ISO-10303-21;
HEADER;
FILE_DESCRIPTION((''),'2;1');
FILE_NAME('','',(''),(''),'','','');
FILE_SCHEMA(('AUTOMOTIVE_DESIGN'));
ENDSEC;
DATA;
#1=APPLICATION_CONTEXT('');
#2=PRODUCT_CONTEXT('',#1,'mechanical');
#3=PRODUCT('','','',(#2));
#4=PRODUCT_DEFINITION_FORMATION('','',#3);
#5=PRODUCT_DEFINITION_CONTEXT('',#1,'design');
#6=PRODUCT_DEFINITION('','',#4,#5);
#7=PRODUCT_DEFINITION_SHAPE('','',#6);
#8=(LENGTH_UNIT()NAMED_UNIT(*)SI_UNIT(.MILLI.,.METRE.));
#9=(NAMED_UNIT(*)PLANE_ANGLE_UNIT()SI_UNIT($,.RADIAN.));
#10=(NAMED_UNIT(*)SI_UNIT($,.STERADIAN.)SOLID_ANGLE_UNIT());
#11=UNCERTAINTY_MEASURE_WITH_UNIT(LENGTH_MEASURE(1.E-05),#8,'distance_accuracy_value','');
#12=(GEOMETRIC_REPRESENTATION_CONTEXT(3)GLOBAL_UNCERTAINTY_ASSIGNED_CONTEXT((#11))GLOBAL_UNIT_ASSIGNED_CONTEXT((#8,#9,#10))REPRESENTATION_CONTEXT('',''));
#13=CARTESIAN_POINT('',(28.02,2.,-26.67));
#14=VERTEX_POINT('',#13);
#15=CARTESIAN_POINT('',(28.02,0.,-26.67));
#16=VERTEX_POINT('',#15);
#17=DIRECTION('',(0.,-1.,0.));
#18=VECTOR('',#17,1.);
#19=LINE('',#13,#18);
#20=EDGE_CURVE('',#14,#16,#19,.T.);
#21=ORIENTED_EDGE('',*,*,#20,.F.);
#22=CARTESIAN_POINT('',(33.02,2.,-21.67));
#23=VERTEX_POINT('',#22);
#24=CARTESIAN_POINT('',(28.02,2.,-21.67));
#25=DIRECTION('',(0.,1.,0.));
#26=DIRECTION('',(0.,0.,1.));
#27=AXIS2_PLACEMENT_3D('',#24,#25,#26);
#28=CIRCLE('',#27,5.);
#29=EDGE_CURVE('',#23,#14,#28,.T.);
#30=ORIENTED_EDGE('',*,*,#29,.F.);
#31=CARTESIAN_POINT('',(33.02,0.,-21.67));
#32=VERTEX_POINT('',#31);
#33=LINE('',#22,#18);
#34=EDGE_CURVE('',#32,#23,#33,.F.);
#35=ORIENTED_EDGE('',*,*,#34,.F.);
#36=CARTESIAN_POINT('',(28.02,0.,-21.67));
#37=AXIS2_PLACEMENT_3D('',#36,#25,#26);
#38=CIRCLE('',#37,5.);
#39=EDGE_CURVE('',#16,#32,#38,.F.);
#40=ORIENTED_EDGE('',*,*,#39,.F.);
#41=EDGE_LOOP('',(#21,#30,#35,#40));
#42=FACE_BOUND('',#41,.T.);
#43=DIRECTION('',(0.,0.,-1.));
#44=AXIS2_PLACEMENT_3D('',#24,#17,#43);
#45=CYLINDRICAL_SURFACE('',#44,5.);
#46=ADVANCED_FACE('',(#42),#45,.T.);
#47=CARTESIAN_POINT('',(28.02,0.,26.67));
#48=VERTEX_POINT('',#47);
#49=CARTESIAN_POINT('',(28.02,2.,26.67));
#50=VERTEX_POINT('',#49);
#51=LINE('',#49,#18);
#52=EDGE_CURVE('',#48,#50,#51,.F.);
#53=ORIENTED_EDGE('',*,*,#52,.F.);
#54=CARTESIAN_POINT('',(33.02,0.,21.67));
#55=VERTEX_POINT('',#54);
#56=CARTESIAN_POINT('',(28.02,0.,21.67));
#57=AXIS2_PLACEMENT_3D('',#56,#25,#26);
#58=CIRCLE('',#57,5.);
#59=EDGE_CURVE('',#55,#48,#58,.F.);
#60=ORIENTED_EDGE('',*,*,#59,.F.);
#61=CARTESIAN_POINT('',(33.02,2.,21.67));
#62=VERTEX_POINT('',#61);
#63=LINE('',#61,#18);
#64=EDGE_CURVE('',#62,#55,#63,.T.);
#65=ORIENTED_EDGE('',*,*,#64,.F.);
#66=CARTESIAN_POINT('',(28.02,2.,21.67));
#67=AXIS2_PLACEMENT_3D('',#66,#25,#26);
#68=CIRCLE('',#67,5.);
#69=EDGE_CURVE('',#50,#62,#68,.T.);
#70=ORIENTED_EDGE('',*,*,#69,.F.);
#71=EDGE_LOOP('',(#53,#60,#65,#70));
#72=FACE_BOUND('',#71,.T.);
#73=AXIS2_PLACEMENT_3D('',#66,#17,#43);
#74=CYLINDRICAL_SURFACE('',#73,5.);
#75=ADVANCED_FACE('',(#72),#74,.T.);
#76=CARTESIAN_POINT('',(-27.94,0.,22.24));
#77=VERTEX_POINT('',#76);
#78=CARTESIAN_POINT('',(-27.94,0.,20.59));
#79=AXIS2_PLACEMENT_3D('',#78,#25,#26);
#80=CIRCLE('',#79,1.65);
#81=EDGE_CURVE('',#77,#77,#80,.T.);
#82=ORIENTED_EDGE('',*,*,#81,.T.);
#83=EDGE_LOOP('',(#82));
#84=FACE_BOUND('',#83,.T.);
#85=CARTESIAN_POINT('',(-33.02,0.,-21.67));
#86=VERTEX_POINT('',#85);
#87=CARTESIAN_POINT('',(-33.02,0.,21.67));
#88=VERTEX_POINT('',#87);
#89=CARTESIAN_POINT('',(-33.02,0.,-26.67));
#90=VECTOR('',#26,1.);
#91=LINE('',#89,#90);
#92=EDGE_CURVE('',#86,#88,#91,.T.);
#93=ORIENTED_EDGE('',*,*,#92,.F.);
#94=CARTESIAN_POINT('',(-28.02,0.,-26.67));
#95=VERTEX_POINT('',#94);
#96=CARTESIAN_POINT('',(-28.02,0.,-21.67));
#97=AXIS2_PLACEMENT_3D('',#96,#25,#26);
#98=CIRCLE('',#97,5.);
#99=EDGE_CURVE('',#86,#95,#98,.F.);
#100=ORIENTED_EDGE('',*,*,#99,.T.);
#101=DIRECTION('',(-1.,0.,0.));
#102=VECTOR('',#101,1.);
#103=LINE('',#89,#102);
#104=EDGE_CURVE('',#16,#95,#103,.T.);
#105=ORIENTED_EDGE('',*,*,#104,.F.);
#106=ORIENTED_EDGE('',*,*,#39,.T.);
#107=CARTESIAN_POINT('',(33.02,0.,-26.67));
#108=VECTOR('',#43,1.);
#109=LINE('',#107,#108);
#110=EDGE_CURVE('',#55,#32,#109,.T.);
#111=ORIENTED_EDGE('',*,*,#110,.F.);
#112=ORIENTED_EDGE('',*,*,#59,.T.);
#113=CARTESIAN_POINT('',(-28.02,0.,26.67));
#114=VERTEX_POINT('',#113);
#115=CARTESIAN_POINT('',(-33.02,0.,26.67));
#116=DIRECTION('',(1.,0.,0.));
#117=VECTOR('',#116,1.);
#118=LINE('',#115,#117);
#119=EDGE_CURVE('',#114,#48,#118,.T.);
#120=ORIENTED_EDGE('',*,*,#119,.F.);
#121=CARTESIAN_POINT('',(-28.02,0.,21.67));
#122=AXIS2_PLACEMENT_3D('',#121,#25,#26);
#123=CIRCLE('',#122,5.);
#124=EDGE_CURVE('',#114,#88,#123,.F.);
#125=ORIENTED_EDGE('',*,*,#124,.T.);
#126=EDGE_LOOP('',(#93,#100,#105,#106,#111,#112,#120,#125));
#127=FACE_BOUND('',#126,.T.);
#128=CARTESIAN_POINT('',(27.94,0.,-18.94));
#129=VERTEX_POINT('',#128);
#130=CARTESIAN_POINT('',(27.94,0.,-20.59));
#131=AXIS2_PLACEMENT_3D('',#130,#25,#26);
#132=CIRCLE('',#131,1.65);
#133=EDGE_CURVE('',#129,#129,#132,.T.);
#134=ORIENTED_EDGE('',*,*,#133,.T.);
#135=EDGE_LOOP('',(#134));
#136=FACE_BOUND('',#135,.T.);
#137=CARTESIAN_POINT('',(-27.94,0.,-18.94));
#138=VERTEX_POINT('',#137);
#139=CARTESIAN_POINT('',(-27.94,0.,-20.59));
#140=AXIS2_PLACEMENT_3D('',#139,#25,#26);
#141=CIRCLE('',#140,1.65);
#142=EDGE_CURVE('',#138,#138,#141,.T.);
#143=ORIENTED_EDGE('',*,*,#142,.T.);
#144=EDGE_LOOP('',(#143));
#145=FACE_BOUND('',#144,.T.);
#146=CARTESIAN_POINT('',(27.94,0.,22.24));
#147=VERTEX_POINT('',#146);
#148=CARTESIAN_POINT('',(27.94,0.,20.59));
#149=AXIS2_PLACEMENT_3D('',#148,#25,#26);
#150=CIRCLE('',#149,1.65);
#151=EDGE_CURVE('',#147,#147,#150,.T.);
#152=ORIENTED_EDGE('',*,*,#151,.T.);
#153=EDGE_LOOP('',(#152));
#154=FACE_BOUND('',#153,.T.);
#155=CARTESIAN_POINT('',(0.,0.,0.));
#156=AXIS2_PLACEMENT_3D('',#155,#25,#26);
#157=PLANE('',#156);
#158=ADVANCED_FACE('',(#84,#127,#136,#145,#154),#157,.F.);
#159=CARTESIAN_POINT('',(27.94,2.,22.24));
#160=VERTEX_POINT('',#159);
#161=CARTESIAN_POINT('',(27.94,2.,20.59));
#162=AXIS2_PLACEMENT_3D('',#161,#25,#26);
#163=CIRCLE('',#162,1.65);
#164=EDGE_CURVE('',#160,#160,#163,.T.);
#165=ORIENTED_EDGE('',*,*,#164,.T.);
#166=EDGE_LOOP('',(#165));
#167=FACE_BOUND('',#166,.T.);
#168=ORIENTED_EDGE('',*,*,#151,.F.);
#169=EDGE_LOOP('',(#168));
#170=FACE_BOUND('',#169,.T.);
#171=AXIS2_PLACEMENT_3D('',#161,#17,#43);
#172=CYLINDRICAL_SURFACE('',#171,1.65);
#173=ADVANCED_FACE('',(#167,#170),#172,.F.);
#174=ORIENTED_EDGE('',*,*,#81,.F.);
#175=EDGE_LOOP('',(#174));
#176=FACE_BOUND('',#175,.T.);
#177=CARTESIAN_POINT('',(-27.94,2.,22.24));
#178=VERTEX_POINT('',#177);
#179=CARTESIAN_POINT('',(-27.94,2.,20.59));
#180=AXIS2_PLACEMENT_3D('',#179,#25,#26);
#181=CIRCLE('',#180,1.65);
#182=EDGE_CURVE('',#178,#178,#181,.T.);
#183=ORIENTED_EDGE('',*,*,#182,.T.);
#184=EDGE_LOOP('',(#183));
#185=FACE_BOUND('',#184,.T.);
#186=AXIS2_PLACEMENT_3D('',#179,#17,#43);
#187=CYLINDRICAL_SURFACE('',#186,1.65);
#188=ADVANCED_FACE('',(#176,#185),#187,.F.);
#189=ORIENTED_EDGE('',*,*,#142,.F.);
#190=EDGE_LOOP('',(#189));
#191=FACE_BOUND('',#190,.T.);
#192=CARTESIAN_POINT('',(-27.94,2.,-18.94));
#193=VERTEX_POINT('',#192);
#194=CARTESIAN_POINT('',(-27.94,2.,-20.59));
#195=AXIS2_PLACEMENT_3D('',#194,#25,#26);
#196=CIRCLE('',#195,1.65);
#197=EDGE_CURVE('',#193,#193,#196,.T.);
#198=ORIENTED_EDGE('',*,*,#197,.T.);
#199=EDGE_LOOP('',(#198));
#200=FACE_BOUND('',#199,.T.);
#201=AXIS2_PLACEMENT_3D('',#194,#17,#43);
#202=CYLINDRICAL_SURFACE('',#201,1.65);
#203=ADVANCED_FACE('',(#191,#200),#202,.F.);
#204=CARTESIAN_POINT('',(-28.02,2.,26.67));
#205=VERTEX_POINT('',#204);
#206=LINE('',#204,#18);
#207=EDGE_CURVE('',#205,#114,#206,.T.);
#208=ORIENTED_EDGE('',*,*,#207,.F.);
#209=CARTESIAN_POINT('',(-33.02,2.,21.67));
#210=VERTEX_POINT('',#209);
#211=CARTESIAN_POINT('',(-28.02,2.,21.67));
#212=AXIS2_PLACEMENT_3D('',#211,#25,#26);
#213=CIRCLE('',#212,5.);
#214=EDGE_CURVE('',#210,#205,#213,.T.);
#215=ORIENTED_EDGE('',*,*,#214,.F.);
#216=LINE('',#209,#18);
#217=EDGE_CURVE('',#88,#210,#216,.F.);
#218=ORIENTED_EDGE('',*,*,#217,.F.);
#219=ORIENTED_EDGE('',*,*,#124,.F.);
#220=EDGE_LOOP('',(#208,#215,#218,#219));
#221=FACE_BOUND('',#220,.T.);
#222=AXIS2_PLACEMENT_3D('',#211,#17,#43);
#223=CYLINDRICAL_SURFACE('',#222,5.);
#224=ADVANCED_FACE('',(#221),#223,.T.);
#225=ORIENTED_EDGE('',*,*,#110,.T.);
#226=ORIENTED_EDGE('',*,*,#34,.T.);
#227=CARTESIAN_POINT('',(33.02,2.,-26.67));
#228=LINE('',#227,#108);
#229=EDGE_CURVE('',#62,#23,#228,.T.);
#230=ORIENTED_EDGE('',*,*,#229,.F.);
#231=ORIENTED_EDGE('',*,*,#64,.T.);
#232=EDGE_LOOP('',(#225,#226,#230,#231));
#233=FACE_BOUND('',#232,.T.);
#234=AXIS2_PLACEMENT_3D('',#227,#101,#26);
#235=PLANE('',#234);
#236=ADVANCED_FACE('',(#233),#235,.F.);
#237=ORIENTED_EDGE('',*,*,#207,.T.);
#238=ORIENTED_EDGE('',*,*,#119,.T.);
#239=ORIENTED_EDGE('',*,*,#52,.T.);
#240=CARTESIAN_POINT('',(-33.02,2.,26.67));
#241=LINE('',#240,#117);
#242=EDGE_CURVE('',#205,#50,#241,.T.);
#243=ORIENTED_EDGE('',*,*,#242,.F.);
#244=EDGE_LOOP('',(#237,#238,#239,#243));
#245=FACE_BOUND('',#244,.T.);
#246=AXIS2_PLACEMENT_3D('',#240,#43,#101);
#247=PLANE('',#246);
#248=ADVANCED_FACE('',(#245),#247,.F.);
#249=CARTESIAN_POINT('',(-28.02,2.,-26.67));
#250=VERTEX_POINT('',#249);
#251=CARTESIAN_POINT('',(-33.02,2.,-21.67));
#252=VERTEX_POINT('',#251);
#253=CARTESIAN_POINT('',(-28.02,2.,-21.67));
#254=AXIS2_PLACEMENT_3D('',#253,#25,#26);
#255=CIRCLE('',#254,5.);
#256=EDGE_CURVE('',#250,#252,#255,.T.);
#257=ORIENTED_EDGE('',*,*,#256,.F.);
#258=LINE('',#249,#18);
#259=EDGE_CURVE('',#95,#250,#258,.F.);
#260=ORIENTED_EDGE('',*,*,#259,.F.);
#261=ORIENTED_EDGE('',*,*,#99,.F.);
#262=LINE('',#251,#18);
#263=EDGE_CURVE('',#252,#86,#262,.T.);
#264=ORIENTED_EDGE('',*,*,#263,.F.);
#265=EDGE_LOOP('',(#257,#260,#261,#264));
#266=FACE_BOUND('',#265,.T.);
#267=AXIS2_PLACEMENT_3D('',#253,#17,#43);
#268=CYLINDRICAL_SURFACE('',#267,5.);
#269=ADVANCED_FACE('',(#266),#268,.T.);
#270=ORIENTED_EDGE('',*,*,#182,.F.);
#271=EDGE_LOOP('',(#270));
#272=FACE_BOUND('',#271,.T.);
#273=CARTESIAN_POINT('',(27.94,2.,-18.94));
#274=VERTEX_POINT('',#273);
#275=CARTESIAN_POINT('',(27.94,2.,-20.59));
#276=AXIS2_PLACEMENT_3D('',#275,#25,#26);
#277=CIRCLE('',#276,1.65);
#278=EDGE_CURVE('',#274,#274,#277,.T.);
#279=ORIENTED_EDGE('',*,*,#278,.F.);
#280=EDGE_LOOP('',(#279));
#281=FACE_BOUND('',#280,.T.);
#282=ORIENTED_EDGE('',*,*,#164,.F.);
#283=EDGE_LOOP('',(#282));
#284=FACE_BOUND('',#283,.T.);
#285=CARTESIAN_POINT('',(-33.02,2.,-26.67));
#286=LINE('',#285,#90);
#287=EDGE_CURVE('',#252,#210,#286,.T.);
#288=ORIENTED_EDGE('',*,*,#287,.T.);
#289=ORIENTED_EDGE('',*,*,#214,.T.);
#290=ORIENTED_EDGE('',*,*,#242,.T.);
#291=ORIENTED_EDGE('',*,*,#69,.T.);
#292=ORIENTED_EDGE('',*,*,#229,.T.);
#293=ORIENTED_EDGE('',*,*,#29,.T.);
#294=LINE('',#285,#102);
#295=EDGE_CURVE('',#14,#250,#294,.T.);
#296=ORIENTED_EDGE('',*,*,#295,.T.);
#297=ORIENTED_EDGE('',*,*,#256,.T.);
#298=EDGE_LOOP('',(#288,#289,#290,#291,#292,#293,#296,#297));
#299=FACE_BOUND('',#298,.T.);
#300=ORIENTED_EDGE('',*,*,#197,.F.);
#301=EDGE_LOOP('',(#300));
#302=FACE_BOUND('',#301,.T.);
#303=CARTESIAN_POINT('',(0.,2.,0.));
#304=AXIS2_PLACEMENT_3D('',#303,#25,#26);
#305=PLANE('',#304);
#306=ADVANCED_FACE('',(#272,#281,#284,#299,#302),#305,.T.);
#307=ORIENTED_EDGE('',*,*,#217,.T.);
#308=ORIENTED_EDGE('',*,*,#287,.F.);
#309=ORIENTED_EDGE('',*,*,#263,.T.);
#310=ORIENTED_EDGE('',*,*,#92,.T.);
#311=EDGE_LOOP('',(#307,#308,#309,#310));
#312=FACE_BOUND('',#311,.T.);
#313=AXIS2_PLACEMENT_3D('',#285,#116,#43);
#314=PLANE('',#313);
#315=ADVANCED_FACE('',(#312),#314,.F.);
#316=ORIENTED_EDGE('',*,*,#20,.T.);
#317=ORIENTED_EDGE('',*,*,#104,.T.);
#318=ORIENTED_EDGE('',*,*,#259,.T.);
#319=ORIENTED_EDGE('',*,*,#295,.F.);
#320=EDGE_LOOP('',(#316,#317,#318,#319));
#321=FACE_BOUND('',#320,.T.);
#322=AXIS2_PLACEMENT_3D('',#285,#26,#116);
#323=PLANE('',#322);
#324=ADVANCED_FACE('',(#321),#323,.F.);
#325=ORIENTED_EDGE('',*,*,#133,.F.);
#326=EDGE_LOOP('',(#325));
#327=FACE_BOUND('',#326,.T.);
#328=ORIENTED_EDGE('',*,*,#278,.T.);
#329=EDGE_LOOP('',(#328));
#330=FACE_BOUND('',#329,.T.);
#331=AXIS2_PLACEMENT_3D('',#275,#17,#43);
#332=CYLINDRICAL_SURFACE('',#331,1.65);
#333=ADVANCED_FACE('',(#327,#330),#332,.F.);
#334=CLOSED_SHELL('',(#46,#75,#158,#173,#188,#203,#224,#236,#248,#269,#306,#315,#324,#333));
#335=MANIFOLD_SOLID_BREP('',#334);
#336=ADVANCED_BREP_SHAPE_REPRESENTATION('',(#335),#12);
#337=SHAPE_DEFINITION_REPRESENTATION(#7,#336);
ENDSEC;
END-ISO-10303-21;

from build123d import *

# Parameters (mm, degrees)
ESQUISSE1_W        = 66.04
ESQUISSE1_H        = 53.34
ESQUISSE1_R        = 1.65
BOSS_EXTRU_1_DEPTH = 2
CONG_1_R           = 5


with BuildPart() as part:
    # Esquisse1 → Boss.-Extru.1 (new body)
    with BuildSketch(Plane(origin=(0, 0, 0), x_dir=(1, 0, 0), z_dir=(0, 1, 0))):
        Rectangle(ESQUISSE1_W, ESQUISSE1_H)
        with Locations((-27.94, 20.59)):
            Circle(ESQUISSE1_R, mode=Mode.SUBTRACT)
        with Locations((27.94, 20.59)):
            Circle(ESQUISSE1_R, mode=Mode.SUBTRACT)
        with Locations((27.94, -20.59)):
            Circle(ESQUISSE1_R, mode=Mode.SUBTRACT)
        with Locations((-27.94, -20.59)):
            Circle(ESQUISSE1_R, mode=Mode.SUBTRACT)
    extrude(amount=BOSS_EXTRU_1_DEPTH)

    # Congé1
    cong_1_edges = [part.edges().sort_by_distance(p)[0] for p in [
        (33.02, 1, 26.67),
        (-33.02, 1, 26.67),
        (-33.02, 1, -26.67),
        (33.02, 1, -26.67),
    ]]
    fillet(cong_1_edges, radius=CONG_1_R)


solid = part.part
